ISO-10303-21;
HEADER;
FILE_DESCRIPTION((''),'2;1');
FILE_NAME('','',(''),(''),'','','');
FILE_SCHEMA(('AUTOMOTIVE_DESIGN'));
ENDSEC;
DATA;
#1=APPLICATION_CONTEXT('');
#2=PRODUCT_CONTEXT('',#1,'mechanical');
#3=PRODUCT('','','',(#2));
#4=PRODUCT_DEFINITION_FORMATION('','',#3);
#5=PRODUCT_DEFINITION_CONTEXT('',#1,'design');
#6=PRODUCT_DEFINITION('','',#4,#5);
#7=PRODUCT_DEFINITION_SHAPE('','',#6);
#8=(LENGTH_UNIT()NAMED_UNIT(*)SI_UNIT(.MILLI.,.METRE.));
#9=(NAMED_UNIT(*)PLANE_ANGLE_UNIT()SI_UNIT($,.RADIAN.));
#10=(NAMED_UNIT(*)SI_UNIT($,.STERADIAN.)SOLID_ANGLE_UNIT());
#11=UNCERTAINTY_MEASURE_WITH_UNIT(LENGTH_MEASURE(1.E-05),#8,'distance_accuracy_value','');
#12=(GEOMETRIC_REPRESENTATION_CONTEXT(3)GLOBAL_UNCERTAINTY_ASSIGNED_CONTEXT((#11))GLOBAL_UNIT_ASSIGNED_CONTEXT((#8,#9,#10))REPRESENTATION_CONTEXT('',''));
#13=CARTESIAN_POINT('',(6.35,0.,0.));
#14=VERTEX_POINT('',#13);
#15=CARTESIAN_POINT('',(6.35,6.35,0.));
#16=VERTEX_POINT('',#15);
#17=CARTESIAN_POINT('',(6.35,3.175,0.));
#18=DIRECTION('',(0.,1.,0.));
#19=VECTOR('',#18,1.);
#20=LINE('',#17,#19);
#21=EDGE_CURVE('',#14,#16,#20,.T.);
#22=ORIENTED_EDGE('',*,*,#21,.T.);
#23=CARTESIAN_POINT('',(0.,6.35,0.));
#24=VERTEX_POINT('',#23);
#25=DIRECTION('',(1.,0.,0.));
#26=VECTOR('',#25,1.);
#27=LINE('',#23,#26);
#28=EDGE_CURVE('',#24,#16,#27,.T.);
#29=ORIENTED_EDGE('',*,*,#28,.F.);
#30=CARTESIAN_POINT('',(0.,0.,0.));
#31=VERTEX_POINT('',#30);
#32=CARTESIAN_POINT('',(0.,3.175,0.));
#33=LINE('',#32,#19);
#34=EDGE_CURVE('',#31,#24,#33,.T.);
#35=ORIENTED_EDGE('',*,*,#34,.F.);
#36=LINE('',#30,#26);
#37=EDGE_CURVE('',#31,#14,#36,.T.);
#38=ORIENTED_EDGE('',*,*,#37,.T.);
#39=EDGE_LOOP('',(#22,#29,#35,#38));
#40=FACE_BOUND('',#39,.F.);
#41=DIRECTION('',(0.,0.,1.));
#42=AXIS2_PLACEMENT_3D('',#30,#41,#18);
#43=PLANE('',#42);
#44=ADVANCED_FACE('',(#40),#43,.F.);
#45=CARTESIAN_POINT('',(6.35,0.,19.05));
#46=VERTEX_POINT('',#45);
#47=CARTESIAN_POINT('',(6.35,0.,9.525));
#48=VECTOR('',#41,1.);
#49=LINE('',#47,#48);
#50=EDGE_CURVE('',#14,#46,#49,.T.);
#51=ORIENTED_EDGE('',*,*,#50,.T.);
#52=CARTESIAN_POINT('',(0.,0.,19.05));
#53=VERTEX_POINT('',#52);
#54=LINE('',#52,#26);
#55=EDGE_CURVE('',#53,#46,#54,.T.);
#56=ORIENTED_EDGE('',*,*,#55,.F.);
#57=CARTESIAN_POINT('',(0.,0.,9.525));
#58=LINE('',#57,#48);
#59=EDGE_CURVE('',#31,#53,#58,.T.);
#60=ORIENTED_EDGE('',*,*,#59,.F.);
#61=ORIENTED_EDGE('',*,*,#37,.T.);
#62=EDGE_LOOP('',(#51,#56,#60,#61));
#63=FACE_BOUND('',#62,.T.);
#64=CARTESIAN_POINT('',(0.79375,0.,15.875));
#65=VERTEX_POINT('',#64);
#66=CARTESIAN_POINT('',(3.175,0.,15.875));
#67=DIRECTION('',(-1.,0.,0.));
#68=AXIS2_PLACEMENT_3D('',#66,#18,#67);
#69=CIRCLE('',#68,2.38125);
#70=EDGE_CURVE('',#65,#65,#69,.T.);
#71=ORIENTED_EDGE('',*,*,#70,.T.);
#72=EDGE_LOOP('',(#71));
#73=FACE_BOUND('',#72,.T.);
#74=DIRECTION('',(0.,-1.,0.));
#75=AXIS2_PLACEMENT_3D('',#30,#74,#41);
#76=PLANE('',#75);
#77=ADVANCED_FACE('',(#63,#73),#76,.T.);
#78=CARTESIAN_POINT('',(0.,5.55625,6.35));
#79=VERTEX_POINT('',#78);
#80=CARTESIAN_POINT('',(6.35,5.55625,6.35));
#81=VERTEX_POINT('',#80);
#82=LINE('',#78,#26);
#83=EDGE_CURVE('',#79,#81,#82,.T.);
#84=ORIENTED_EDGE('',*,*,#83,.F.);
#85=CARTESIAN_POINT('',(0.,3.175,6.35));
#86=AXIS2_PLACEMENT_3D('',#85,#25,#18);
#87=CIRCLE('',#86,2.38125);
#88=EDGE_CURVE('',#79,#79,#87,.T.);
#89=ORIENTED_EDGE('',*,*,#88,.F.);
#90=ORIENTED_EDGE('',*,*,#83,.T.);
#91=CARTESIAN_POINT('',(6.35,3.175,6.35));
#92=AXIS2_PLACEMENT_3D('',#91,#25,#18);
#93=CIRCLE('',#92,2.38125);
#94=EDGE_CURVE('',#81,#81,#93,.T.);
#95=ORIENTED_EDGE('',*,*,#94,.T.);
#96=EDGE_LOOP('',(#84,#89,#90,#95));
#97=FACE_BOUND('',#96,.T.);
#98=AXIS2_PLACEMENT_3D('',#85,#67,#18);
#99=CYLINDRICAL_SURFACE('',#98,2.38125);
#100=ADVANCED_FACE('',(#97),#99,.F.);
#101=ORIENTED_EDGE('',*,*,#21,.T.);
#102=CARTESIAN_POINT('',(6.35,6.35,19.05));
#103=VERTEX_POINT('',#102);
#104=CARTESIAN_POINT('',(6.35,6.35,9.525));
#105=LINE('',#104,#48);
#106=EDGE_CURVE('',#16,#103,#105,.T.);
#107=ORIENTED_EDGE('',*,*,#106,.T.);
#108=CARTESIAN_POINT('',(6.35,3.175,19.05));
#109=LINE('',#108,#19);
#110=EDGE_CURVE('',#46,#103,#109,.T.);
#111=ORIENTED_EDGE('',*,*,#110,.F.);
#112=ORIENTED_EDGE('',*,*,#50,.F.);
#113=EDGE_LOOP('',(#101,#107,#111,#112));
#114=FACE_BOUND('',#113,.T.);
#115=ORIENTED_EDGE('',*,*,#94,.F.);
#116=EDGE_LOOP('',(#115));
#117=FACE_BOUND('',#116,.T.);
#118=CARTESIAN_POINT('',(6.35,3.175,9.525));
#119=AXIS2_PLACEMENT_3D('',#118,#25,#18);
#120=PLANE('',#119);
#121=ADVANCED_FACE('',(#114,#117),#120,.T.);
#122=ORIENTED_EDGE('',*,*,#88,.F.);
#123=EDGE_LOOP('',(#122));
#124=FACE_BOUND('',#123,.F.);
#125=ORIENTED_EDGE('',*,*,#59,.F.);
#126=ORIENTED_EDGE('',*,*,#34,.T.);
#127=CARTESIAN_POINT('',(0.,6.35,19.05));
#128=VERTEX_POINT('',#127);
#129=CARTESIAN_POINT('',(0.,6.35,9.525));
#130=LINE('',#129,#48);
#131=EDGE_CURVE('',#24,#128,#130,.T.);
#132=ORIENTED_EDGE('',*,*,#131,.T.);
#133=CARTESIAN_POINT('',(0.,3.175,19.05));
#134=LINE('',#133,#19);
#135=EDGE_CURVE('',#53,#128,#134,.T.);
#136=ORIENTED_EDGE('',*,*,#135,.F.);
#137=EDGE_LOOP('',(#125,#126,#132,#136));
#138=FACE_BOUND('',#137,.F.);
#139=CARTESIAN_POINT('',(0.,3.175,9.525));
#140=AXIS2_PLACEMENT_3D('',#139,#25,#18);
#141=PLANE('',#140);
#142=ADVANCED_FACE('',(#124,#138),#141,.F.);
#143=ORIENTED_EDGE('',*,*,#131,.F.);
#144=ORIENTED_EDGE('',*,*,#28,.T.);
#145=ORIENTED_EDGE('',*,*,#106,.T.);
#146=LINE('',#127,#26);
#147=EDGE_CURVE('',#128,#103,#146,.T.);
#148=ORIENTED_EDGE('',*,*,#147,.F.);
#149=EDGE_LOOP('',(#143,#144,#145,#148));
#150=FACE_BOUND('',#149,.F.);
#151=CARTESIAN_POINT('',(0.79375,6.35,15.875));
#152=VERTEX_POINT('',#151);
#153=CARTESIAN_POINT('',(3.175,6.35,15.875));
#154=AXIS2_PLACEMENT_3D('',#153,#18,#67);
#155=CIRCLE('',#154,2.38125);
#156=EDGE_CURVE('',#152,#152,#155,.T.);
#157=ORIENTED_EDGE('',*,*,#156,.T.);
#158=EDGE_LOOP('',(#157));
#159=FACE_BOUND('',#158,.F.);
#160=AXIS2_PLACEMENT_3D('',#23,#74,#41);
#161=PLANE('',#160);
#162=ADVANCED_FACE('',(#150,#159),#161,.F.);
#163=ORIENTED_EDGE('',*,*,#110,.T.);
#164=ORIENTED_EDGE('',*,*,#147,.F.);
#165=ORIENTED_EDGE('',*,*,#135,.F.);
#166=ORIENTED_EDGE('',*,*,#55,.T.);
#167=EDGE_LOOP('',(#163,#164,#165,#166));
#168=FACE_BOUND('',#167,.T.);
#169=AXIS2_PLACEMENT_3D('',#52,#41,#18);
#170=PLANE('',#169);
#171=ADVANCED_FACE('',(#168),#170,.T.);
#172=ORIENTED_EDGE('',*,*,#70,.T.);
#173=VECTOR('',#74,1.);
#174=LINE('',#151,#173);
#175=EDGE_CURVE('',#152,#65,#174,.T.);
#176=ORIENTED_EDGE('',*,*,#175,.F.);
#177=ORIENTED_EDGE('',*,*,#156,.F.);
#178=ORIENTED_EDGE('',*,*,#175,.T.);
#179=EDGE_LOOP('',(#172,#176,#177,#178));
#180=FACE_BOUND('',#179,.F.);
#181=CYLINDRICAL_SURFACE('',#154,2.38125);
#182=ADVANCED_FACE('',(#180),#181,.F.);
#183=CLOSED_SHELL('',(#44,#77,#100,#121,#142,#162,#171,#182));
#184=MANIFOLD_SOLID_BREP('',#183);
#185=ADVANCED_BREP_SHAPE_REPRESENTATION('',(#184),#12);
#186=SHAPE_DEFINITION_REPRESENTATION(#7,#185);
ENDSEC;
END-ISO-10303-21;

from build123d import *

# Parameters (mm, degrees)
F0_W     = 6.35
F0_H     = 19.05
F0_R     = 2.38125
F1_DEPTH = 6.35
F2_R     = 2.38125
F3_DEPTH = 25.4


with BuildPart() as f1:
    # F0 (on Right) → F1 (new body)
    with BuildSketch(Plane.YZ):
        with Locations((3.175, 9.525)):
            Rectangle(F0_W, F0_H)
        with Locations((3.175, 6.35)):
            Circle(F0_R, mode=Mode.SUBTRACT)
    extrude(amount=F1_DEPTH)

    # F2 (on face) → F3 (cut)
    with BuildSketch(Plane(origin=(0, 6.35, 0), x_dir=(-1, 0, 0), z_dir=(0, 1, 0))):
        with Locations((-3.175, 15.875)):
            Circle(F2_R)
    extrude(amount=-F3_DEPTH, mode=Mode.SUBTRACT)


solid = f1.part
